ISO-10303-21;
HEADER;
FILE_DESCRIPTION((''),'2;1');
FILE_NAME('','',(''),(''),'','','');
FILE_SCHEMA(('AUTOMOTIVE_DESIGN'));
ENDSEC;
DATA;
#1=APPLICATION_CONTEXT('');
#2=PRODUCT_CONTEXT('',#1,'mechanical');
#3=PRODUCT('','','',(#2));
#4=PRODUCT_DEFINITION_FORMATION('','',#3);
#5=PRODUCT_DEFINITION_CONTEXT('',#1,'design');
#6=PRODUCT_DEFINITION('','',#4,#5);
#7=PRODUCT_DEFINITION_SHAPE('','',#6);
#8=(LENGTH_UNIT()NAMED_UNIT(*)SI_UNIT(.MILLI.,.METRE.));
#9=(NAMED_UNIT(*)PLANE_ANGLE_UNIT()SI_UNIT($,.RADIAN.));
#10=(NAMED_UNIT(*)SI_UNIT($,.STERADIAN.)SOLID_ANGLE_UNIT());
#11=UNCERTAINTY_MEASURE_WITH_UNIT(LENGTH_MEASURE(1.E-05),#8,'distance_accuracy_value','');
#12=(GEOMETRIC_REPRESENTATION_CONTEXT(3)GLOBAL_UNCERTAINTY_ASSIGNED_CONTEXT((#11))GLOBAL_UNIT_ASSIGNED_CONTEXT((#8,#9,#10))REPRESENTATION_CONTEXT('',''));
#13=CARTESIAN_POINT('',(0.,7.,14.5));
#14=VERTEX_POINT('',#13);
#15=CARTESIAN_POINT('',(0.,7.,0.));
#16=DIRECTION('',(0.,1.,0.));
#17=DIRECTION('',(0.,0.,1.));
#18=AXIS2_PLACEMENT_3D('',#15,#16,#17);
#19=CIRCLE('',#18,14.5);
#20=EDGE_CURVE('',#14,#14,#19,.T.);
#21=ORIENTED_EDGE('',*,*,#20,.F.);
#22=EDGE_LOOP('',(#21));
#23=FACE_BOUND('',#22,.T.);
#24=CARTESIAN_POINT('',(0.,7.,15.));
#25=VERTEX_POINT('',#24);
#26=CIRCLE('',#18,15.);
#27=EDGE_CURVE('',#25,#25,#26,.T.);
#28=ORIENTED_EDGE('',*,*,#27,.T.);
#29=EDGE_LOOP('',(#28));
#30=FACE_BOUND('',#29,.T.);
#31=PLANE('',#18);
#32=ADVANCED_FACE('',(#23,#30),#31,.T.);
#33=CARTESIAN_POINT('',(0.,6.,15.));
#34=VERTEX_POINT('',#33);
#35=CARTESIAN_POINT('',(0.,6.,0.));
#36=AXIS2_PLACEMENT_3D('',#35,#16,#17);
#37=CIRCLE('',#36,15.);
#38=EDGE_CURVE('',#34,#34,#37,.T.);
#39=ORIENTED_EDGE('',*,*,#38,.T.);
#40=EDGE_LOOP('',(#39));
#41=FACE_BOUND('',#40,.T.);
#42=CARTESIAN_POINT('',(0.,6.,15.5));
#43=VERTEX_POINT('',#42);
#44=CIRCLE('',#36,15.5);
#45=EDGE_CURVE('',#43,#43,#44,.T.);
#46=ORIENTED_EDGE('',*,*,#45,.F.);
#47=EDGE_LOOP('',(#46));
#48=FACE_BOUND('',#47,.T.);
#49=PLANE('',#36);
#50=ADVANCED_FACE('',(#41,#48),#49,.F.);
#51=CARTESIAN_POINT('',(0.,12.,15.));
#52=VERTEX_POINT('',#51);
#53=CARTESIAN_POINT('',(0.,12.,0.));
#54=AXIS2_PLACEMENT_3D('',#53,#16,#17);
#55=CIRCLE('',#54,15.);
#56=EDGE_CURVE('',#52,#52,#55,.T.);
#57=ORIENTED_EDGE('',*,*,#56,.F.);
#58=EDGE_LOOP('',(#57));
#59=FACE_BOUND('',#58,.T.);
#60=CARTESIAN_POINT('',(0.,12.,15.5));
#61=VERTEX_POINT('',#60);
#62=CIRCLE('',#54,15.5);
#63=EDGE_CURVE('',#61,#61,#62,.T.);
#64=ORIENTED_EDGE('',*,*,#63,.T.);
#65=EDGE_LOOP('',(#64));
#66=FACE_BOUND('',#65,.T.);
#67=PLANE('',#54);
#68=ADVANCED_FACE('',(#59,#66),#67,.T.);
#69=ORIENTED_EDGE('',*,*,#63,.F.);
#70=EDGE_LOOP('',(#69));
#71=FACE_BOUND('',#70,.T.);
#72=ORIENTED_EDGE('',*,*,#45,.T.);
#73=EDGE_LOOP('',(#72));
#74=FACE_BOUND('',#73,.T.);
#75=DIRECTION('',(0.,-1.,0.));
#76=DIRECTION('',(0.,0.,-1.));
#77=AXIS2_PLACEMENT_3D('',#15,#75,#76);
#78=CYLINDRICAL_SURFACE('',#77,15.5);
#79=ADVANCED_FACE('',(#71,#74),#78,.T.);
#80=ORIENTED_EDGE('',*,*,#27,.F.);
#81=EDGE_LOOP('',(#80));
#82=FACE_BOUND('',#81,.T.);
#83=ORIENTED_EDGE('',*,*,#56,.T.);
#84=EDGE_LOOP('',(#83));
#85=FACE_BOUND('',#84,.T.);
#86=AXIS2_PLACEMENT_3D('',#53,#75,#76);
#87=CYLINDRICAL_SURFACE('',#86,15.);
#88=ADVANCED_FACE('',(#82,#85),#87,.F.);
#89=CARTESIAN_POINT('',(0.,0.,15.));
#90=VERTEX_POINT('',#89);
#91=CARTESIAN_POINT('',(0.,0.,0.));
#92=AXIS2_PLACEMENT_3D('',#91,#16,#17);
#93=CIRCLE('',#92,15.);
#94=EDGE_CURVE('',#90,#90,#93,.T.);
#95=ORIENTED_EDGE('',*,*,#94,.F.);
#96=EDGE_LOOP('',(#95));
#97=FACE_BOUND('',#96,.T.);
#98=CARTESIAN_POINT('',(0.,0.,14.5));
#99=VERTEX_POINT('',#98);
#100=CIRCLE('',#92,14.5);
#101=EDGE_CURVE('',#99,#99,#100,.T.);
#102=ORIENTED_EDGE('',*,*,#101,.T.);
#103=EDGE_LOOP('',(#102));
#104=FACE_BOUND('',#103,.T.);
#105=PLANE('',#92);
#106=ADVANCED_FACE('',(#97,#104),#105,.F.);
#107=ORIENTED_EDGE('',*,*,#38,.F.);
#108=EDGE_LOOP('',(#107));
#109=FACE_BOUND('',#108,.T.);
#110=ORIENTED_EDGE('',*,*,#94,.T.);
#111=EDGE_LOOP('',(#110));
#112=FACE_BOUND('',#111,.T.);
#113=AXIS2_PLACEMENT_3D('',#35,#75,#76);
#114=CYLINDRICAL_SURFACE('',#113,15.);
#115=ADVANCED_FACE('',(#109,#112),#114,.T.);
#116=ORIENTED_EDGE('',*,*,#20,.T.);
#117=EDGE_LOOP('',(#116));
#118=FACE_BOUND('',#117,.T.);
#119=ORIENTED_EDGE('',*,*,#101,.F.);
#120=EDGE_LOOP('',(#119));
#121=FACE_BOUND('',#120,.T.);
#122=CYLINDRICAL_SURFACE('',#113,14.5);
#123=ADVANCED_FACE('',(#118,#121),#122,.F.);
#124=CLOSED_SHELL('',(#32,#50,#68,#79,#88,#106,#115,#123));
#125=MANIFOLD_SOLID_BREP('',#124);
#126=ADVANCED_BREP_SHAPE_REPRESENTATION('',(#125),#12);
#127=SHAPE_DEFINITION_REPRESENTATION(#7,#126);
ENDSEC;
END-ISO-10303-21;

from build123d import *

# Parameters (mm, degrees)
SKETCH1_R           = 15
SKETCH1_R_2         = 14.5
BOSS_EXTRUDE1_DEPTH = 6
SKETCH2_R           = 15.5
SKETCH2_R_2         = 14.5
BOSS_EXTRUDE2_DEPTH = 1
SKETCH3_R           = 15.5
SKETCH3_R_2         = 15
BOSS_EXTRUDE3_DEPTH = 5


with BuildPart() as part:
    # Sketch1 → Boss-Extrude1 (new body)
    with BuildSketch(Plane(origin=(0, 0, 0), x_dir=(1, 0, 0), z_dir=(0, 1, 0))):
        with Locations(Location((0, 0, 0), (0, 0, 270))):
            Circle(SKETCH1_R)
        with Locations(Location((0, 0, 0), (0, 0, 270))):
            Circle(SKETCH1_R_2, mode=Mode.SUBTRACT)
    extrude(amount=BOSS_EXTRUDE1_DEPTH)

    # Sketch2 → Boss-Extrude2 (add)
    with BuildSketch(Plane(origin=(0, 6, 0), x_dir=(1, 0, 0), z_dir=(0, 1, 0))):
        with Locations(Location((0, 0, 0), (0, 0, 270))):
            Circle(SKETCH2_R)
        with Locations(Location((0, 0, 0), (0, 0, 270))):
            Circle(SKETCH2_R_2, mode=Mode.SUBTRACT)
    extrude(amount=BOSS_EXTRUDE2_DEPTH)

    # Sketch3 → Boss-Extrude3 (add)
    with BuildSketch(Plane(origin=(0, 7, 0), x_dir=(1, 0, 0), z_dir=(0, 1, 0))):
        with Locations(Location((0, 0, 0), (0, 0, 270))):
            Circle(SKETCH3_R)
        with Locations(Location((0, 0, 0), (0, 0, 270))):
            Circle(SKETCH3_R_2, mode=Mode.SUBTRACT)
    extrude(amount=BOSS_EXTRUDE3_DEPTH)


solid = part.part
